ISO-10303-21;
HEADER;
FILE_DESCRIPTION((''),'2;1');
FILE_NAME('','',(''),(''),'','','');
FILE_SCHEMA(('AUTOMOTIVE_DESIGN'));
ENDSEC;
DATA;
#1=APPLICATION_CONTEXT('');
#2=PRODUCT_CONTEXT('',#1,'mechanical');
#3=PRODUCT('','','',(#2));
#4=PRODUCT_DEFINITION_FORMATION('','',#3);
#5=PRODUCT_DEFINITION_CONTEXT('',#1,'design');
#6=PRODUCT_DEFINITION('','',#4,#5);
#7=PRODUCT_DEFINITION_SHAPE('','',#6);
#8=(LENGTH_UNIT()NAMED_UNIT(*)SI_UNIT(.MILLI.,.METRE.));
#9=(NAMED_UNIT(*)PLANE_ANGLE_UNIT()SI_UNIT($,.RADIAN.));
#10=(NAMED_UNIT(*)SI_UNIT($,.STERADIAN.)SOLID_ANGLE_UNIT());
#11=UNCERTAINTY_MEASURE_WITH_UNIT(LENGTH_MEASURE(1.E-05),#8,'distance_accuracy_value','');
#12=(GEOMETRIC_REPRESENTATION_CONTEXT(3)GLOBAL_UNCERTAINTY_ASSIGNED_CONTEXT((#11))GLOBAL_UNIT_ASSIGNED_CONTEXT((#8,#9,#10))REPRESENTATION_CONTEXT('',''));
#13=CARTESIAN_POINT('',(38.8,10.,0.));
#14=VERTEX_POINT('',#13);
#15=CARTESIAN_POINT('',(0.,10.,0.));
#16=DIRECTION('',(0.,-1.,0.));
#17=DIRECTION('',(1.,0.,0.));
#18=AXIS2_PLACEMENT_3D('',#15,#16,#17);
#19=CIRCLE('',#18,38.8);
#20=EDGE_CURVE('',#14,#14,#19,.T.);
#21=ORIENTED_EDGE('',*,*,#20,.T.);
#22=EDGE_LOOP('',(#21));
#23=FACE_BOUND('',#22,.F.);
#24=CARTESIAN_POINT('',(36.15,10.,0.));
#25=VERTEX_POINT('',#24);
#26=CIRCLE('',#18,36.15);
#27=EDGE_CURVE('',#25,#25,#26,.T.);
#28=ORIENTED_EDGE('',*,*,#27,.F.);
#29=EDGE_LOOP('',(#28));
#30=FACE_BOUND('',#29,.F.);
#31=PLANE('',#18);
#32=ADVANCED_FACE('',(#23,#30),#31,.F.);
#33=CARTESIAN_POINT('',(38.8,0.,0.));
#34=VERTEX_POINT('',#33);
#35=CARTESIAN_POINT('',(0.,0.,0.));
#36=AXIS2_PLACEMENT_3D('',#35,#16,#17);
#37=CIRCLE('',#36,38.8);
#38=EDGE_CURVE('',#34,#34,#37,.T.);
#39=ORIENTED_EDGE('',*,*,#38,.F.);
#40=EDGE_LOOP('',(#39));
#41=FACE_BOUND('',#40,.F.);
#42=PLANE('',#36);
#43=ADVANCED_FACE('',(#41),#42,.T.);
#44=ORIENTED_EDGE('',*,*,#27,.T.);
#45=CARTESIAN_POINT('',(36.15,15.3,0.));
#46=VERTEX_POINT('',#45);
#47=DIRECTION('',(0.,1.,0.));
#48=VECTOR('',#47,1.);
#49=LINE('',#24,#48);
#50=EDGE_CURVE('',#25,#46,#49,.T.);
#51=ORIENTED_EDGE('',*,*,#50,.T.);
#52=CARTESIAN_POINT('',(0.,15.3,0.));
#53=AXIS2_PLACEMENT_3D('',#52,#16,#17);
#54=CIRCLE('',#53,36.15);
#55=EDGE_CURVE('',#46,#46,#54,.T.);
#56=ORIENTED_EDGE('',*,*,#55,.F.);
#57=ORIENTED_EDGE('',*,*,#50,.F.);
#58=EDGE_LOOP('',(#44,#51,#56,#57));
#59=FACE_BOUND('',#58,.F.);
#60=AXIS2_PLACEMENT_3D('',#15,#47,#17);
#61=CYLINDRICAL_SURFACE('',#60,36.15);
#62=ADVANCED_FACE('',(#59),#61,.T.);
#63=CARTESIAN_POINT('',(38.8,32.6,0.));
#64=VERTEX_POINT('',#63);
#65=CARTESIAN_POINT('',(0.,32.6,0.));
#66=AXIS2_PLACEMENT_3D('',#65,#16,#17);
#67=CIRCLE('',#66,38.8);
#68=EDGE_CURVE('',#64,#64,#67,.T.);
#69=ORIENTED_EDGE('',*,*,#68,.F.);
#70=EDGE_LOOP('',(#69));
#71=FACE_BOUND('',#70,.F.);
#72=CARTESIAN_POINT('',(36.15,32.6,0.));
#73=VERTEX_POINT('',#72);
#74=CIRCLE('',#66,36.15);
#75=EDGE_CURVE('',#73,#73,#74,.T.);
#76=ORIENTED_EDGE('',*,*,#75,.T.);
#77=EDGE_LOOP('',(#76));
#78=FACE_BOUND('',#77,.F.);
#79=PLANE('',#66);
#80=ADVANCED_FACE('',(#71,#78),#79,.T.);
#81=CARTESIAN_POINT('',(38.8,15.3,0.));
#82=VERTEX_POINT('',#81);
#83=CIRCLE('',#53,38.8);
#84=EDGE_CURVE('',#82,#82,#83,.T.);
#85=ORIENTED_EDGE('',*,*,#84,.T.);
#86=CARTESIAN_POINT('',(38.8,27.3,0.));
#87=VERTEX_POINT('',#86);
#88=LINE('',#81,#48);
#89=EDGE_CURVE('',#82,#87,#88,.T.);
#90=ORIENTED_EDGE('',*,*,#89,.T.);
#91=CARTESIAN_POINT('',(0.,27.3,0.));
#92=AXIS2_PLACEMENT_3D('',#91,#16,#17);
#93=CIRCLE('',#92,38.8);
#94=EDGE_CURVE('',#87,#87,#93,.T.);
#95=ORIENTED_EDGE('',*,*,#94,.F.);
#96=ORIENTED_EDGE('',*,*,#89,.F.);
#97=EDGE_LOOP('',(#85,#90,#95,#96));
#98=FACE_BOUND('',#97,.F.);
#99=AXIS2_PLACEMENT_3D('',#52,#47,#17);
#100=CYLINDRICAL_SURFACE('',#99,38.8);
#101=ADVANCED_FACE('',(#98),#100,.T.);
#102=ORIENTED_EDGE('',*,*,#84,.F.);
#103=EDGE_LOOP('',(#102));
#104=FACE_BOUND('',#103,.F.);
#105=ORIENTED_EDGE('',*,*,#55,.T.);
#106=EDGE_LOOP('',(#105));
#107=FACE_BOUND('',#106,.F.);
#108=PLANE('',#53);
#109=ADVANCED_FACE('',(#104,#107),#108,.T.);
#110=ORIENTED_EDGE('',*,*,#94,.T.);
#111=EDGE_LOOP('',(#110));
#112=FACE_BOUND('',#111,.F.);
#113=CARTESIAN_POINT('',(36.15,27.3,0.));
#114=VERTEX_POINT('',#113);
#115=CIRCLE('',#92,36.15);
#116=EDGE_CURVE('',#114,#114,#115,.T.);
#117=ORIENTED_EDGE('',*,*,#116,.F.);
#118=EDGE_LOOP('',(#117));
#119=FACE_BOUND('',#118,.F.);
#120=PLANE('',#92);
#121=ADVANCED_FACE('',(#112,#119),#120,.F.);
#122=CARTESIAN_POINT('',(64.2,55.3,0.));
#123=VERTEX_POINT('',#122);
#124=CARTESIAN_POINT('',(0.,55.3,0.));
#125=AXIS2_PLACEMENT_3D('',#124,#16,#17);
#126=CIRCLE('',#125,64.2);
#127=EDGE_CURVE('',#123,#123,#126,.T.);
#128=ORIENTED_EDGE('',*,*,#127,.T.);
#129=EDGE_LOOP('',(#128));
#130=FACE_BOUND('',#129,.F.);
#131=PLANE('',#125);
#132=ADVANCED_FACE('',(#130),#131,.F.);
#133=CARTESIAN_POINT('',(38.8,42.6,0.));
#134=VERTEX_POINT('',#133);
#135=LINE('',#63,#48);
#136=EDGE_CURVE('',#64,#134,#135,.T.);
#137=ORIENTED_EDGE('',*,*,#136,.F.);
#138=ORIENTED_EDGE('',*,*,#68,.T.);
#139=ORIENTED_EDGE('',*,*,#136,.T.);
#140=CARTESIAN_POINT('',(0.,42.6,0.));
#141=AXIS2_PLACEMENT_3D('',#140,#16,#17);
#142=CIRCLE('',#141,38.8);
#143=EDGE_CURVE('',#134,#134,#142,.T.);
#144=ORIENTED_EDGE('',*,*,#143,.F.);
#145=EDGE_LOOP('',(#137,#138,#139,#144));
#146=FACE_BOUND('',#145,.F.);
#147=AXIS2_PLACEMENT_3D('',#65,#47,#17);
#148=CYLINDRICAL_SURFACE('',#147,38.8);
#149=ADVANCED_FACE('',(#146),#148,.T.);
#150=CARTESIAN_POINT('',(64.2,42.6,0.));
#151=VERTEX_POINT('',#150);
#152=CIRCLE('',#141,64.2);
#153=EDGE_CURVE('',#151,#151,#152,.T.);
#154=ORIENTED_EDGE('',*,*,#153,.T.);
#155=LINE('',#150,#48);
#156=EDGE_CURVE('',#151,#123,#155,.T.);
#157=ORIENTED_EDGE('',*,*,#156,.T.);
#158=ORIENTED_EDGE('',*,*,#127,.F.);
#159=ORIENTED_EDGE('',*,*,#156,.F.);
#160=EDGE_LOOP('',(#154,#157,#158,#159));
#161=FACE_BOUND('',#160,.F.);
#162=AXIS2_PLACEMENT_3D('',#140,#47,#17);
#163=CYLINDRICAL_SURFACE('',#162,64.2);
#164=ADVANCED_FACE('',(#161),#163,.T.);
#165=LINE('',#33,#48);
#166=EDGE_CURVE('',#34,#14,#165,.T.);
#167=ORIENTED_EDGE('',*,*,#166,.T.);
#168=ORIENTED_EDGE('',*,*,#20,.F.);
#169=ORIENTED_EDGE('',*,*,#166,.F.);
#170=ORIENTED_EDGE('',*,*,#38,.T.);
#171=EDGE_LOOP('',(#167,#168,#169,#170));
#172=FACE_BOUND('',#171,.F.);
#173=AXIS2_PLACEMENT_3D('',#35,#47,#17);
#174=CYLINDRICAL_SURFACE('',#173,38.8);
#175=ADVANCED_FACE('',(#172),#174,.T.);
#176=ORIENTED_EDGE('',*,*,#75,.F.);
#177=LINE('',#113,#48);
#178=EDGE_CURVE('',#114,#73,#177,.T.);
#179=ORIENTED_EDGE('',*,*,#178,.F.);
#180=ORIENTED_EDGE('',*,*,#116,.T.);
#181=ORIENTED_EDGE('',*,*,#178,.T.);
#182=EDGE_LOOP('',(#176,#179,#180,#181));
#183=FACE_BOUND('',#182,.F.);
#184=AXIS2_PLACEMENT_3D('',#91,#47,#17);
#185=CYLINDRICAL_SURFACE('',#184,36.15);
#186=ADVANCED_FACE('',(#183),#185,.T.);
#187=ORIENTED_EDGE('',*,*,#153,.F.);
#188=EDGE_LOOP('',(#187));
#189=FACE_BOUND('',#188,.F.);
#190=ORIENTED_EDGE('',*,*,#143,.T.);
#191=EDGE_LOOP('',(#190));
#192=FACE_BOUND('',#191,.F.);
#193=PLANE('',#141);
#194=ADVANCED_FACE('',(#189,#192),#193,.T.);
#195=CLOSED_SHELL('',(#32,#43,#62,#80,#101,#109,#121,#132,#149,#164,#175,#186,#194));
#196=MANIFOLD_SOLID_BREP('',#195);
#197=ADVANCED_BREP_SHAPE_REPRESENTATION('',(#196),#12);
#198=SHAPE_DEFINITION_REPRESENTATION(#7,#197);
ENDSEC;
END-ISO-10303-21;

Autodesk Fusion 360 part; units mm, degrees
sketch "Sketch1" plane through (0, 0, 0) normal (0, 0, 1) x (1, 0, 0)
  line L0 (0, 0) -> (38.8, 0)
  line L1 (38.8, 0) -> (38.8, 10)
  line L2 (38.8, 10) -> (36.15, 10)
  line L3 (36.15, 10) -> (36.15, 15.3)
  line L4 (36.15, 15.3) -> (38.8, 15.3)
  line L5 (38.8, 15.3) -> (38.8, 27.3)
  line L6 (38.8, 27.3) -> (36.15, 27.3)
  line L7 (36.15, 27.3) -> (36.15, 32.6)
  line L8 (36.15, 32.6) -> (38.8, 32.6)
  line L9 (38.8, 32.6) -> (38.8, 42.6)
  line L10 (38.8, 42.6) -> (64.2, 42.6)
  line L11 (64.2, 42.6) -> (64.2, 55.3)
  line L12 (64.2, 55.3) -> (0, 55.3)
  line L13 (0, 55.3) -> (0, 0)
  dimension "d1" = 38.8
  dimension "d2" = 10
  dimension "d3" = 2.65
  dimension "d4" = 5.3
  dimension "d5" = 2.65
  dimension "d7" = 12
  dimension "d8" = 2.65
  dimension "d9" = 5.3
  dimension "d10" = 2.65
  dimension "d11" = 10
  dimension "d12" = 25.4
  dimension "d13" = 12.7
revolve "Revolve1" add sketch "Sketch1" angle 360 about axis through (0, 55.3, 0) along (0, -1, 0)
sketch "Sketch2" plane through (0, 55.3, 0) normal (0, 1, 0) x (-1, 0, 0)
  circle A0 centre (0, 0) radius 64.2
